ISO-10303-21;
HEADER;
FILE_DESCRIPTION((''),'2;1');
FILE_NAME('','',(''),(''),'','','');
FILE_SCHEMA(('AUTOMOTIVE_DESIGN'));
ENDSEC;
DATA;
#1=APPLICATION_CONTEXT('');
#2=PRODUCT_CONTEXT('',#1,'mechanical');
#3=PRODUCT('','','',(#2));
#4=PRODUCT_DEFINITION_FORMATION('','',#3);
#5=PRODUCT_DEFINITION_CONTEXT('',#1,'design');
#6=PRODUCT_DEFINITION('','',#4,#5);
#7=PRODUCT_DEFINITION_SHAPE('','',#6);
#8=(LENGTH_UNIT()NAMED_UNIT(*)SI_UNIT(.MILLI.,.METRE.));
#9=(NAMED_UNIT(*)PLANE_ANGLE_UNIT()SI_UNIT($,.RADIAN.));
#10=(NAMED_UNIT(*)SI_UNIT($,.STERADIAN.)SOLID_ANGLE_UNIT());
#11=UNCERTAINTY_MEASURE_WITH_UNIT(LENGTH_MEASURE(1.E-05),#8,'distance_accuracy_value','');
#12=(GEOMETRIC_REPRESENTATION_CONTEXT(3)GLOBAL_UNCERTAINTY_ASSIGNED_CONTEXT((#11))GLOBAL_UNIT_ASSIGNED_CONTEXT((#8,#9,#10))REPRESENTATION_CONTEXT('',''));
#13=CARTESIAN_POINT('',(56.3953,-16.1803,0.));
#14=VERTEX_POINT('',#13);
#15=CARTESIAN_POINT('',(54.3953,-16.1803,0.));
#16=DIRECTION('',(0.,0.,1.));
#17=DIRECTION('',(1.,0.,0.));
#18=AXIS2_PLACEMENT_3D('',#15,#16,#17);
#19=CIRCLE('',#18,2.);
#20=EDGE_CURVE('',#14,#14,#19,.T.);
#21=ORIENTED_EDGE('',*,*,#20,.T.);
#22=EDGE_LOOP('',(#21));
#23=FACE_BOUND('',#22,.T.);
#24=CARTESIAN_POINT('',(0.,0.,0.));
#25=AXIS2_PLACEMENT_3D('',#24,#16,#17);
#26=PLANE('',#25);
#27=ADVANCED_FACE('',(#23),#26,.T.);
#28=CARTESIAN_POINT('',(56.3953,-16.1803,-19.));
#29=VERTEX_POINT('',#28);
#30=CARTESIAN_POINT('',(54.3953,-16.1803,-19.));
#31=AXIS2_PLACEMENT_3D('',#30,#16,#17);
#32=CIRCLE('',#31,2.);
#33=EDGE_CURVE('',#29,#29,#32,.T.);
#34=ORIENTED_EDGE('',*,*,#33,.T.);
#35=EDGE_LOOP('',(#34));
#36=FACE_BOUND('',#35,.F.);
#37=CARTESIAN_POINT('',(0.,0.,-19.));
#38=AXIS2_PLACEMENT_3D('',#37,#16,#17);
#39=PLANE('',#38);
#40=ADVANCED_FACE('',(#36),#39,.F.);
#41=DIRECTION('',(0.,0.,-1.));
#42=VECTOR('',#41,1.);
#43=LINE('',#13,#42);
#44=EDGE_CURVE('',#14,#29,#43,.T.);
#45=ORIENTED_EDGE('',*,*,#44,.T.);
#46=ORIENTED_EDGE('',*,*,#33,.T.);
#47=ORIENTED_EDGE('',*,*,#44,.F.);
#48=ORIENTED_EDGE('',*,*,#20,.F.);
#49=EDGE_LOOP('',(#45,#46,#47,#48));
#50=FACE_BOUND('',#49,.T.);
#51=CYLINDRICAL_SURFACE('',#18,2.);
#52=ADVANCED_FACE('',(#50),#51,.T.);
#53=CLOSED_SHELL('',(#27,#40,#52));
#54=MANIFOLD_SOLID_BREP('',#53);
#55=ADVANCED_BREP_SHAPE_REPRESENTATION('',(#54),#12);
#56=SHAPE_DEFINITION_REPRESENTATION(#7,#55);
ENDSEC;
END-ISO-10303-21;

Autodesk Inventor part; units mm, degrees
ref_plane "Work Plane1" through (0, 0, 0) normal (0, 0, 1) x (1, 0, 0)
sketch "Sketch1" plane through (0, 0, 0) normal (0, 0, 1) x (1, 0, 0)
  circle A0 centre (54.3953, -16.1803) radius 4.0005 projected
  circle A1 centre (54.3953, -16.1803) radius 2
  point P0 (0, 0)
ref_plane "Work Plane2" through (0, -29.5, -27) normal (0, 0, -1) x (0, 1, 0)
ref_plane "Work Plane3" through (38.9126, -31.7019, -38) normal (0, 0, -1) x (0.3643, 0.9313, 0)
extrude "Extrusion1" add sketch "Sketch1" against normal blind 19 contours A1
properties part number "smolGear_shaft" material "Aluminum 6061"
